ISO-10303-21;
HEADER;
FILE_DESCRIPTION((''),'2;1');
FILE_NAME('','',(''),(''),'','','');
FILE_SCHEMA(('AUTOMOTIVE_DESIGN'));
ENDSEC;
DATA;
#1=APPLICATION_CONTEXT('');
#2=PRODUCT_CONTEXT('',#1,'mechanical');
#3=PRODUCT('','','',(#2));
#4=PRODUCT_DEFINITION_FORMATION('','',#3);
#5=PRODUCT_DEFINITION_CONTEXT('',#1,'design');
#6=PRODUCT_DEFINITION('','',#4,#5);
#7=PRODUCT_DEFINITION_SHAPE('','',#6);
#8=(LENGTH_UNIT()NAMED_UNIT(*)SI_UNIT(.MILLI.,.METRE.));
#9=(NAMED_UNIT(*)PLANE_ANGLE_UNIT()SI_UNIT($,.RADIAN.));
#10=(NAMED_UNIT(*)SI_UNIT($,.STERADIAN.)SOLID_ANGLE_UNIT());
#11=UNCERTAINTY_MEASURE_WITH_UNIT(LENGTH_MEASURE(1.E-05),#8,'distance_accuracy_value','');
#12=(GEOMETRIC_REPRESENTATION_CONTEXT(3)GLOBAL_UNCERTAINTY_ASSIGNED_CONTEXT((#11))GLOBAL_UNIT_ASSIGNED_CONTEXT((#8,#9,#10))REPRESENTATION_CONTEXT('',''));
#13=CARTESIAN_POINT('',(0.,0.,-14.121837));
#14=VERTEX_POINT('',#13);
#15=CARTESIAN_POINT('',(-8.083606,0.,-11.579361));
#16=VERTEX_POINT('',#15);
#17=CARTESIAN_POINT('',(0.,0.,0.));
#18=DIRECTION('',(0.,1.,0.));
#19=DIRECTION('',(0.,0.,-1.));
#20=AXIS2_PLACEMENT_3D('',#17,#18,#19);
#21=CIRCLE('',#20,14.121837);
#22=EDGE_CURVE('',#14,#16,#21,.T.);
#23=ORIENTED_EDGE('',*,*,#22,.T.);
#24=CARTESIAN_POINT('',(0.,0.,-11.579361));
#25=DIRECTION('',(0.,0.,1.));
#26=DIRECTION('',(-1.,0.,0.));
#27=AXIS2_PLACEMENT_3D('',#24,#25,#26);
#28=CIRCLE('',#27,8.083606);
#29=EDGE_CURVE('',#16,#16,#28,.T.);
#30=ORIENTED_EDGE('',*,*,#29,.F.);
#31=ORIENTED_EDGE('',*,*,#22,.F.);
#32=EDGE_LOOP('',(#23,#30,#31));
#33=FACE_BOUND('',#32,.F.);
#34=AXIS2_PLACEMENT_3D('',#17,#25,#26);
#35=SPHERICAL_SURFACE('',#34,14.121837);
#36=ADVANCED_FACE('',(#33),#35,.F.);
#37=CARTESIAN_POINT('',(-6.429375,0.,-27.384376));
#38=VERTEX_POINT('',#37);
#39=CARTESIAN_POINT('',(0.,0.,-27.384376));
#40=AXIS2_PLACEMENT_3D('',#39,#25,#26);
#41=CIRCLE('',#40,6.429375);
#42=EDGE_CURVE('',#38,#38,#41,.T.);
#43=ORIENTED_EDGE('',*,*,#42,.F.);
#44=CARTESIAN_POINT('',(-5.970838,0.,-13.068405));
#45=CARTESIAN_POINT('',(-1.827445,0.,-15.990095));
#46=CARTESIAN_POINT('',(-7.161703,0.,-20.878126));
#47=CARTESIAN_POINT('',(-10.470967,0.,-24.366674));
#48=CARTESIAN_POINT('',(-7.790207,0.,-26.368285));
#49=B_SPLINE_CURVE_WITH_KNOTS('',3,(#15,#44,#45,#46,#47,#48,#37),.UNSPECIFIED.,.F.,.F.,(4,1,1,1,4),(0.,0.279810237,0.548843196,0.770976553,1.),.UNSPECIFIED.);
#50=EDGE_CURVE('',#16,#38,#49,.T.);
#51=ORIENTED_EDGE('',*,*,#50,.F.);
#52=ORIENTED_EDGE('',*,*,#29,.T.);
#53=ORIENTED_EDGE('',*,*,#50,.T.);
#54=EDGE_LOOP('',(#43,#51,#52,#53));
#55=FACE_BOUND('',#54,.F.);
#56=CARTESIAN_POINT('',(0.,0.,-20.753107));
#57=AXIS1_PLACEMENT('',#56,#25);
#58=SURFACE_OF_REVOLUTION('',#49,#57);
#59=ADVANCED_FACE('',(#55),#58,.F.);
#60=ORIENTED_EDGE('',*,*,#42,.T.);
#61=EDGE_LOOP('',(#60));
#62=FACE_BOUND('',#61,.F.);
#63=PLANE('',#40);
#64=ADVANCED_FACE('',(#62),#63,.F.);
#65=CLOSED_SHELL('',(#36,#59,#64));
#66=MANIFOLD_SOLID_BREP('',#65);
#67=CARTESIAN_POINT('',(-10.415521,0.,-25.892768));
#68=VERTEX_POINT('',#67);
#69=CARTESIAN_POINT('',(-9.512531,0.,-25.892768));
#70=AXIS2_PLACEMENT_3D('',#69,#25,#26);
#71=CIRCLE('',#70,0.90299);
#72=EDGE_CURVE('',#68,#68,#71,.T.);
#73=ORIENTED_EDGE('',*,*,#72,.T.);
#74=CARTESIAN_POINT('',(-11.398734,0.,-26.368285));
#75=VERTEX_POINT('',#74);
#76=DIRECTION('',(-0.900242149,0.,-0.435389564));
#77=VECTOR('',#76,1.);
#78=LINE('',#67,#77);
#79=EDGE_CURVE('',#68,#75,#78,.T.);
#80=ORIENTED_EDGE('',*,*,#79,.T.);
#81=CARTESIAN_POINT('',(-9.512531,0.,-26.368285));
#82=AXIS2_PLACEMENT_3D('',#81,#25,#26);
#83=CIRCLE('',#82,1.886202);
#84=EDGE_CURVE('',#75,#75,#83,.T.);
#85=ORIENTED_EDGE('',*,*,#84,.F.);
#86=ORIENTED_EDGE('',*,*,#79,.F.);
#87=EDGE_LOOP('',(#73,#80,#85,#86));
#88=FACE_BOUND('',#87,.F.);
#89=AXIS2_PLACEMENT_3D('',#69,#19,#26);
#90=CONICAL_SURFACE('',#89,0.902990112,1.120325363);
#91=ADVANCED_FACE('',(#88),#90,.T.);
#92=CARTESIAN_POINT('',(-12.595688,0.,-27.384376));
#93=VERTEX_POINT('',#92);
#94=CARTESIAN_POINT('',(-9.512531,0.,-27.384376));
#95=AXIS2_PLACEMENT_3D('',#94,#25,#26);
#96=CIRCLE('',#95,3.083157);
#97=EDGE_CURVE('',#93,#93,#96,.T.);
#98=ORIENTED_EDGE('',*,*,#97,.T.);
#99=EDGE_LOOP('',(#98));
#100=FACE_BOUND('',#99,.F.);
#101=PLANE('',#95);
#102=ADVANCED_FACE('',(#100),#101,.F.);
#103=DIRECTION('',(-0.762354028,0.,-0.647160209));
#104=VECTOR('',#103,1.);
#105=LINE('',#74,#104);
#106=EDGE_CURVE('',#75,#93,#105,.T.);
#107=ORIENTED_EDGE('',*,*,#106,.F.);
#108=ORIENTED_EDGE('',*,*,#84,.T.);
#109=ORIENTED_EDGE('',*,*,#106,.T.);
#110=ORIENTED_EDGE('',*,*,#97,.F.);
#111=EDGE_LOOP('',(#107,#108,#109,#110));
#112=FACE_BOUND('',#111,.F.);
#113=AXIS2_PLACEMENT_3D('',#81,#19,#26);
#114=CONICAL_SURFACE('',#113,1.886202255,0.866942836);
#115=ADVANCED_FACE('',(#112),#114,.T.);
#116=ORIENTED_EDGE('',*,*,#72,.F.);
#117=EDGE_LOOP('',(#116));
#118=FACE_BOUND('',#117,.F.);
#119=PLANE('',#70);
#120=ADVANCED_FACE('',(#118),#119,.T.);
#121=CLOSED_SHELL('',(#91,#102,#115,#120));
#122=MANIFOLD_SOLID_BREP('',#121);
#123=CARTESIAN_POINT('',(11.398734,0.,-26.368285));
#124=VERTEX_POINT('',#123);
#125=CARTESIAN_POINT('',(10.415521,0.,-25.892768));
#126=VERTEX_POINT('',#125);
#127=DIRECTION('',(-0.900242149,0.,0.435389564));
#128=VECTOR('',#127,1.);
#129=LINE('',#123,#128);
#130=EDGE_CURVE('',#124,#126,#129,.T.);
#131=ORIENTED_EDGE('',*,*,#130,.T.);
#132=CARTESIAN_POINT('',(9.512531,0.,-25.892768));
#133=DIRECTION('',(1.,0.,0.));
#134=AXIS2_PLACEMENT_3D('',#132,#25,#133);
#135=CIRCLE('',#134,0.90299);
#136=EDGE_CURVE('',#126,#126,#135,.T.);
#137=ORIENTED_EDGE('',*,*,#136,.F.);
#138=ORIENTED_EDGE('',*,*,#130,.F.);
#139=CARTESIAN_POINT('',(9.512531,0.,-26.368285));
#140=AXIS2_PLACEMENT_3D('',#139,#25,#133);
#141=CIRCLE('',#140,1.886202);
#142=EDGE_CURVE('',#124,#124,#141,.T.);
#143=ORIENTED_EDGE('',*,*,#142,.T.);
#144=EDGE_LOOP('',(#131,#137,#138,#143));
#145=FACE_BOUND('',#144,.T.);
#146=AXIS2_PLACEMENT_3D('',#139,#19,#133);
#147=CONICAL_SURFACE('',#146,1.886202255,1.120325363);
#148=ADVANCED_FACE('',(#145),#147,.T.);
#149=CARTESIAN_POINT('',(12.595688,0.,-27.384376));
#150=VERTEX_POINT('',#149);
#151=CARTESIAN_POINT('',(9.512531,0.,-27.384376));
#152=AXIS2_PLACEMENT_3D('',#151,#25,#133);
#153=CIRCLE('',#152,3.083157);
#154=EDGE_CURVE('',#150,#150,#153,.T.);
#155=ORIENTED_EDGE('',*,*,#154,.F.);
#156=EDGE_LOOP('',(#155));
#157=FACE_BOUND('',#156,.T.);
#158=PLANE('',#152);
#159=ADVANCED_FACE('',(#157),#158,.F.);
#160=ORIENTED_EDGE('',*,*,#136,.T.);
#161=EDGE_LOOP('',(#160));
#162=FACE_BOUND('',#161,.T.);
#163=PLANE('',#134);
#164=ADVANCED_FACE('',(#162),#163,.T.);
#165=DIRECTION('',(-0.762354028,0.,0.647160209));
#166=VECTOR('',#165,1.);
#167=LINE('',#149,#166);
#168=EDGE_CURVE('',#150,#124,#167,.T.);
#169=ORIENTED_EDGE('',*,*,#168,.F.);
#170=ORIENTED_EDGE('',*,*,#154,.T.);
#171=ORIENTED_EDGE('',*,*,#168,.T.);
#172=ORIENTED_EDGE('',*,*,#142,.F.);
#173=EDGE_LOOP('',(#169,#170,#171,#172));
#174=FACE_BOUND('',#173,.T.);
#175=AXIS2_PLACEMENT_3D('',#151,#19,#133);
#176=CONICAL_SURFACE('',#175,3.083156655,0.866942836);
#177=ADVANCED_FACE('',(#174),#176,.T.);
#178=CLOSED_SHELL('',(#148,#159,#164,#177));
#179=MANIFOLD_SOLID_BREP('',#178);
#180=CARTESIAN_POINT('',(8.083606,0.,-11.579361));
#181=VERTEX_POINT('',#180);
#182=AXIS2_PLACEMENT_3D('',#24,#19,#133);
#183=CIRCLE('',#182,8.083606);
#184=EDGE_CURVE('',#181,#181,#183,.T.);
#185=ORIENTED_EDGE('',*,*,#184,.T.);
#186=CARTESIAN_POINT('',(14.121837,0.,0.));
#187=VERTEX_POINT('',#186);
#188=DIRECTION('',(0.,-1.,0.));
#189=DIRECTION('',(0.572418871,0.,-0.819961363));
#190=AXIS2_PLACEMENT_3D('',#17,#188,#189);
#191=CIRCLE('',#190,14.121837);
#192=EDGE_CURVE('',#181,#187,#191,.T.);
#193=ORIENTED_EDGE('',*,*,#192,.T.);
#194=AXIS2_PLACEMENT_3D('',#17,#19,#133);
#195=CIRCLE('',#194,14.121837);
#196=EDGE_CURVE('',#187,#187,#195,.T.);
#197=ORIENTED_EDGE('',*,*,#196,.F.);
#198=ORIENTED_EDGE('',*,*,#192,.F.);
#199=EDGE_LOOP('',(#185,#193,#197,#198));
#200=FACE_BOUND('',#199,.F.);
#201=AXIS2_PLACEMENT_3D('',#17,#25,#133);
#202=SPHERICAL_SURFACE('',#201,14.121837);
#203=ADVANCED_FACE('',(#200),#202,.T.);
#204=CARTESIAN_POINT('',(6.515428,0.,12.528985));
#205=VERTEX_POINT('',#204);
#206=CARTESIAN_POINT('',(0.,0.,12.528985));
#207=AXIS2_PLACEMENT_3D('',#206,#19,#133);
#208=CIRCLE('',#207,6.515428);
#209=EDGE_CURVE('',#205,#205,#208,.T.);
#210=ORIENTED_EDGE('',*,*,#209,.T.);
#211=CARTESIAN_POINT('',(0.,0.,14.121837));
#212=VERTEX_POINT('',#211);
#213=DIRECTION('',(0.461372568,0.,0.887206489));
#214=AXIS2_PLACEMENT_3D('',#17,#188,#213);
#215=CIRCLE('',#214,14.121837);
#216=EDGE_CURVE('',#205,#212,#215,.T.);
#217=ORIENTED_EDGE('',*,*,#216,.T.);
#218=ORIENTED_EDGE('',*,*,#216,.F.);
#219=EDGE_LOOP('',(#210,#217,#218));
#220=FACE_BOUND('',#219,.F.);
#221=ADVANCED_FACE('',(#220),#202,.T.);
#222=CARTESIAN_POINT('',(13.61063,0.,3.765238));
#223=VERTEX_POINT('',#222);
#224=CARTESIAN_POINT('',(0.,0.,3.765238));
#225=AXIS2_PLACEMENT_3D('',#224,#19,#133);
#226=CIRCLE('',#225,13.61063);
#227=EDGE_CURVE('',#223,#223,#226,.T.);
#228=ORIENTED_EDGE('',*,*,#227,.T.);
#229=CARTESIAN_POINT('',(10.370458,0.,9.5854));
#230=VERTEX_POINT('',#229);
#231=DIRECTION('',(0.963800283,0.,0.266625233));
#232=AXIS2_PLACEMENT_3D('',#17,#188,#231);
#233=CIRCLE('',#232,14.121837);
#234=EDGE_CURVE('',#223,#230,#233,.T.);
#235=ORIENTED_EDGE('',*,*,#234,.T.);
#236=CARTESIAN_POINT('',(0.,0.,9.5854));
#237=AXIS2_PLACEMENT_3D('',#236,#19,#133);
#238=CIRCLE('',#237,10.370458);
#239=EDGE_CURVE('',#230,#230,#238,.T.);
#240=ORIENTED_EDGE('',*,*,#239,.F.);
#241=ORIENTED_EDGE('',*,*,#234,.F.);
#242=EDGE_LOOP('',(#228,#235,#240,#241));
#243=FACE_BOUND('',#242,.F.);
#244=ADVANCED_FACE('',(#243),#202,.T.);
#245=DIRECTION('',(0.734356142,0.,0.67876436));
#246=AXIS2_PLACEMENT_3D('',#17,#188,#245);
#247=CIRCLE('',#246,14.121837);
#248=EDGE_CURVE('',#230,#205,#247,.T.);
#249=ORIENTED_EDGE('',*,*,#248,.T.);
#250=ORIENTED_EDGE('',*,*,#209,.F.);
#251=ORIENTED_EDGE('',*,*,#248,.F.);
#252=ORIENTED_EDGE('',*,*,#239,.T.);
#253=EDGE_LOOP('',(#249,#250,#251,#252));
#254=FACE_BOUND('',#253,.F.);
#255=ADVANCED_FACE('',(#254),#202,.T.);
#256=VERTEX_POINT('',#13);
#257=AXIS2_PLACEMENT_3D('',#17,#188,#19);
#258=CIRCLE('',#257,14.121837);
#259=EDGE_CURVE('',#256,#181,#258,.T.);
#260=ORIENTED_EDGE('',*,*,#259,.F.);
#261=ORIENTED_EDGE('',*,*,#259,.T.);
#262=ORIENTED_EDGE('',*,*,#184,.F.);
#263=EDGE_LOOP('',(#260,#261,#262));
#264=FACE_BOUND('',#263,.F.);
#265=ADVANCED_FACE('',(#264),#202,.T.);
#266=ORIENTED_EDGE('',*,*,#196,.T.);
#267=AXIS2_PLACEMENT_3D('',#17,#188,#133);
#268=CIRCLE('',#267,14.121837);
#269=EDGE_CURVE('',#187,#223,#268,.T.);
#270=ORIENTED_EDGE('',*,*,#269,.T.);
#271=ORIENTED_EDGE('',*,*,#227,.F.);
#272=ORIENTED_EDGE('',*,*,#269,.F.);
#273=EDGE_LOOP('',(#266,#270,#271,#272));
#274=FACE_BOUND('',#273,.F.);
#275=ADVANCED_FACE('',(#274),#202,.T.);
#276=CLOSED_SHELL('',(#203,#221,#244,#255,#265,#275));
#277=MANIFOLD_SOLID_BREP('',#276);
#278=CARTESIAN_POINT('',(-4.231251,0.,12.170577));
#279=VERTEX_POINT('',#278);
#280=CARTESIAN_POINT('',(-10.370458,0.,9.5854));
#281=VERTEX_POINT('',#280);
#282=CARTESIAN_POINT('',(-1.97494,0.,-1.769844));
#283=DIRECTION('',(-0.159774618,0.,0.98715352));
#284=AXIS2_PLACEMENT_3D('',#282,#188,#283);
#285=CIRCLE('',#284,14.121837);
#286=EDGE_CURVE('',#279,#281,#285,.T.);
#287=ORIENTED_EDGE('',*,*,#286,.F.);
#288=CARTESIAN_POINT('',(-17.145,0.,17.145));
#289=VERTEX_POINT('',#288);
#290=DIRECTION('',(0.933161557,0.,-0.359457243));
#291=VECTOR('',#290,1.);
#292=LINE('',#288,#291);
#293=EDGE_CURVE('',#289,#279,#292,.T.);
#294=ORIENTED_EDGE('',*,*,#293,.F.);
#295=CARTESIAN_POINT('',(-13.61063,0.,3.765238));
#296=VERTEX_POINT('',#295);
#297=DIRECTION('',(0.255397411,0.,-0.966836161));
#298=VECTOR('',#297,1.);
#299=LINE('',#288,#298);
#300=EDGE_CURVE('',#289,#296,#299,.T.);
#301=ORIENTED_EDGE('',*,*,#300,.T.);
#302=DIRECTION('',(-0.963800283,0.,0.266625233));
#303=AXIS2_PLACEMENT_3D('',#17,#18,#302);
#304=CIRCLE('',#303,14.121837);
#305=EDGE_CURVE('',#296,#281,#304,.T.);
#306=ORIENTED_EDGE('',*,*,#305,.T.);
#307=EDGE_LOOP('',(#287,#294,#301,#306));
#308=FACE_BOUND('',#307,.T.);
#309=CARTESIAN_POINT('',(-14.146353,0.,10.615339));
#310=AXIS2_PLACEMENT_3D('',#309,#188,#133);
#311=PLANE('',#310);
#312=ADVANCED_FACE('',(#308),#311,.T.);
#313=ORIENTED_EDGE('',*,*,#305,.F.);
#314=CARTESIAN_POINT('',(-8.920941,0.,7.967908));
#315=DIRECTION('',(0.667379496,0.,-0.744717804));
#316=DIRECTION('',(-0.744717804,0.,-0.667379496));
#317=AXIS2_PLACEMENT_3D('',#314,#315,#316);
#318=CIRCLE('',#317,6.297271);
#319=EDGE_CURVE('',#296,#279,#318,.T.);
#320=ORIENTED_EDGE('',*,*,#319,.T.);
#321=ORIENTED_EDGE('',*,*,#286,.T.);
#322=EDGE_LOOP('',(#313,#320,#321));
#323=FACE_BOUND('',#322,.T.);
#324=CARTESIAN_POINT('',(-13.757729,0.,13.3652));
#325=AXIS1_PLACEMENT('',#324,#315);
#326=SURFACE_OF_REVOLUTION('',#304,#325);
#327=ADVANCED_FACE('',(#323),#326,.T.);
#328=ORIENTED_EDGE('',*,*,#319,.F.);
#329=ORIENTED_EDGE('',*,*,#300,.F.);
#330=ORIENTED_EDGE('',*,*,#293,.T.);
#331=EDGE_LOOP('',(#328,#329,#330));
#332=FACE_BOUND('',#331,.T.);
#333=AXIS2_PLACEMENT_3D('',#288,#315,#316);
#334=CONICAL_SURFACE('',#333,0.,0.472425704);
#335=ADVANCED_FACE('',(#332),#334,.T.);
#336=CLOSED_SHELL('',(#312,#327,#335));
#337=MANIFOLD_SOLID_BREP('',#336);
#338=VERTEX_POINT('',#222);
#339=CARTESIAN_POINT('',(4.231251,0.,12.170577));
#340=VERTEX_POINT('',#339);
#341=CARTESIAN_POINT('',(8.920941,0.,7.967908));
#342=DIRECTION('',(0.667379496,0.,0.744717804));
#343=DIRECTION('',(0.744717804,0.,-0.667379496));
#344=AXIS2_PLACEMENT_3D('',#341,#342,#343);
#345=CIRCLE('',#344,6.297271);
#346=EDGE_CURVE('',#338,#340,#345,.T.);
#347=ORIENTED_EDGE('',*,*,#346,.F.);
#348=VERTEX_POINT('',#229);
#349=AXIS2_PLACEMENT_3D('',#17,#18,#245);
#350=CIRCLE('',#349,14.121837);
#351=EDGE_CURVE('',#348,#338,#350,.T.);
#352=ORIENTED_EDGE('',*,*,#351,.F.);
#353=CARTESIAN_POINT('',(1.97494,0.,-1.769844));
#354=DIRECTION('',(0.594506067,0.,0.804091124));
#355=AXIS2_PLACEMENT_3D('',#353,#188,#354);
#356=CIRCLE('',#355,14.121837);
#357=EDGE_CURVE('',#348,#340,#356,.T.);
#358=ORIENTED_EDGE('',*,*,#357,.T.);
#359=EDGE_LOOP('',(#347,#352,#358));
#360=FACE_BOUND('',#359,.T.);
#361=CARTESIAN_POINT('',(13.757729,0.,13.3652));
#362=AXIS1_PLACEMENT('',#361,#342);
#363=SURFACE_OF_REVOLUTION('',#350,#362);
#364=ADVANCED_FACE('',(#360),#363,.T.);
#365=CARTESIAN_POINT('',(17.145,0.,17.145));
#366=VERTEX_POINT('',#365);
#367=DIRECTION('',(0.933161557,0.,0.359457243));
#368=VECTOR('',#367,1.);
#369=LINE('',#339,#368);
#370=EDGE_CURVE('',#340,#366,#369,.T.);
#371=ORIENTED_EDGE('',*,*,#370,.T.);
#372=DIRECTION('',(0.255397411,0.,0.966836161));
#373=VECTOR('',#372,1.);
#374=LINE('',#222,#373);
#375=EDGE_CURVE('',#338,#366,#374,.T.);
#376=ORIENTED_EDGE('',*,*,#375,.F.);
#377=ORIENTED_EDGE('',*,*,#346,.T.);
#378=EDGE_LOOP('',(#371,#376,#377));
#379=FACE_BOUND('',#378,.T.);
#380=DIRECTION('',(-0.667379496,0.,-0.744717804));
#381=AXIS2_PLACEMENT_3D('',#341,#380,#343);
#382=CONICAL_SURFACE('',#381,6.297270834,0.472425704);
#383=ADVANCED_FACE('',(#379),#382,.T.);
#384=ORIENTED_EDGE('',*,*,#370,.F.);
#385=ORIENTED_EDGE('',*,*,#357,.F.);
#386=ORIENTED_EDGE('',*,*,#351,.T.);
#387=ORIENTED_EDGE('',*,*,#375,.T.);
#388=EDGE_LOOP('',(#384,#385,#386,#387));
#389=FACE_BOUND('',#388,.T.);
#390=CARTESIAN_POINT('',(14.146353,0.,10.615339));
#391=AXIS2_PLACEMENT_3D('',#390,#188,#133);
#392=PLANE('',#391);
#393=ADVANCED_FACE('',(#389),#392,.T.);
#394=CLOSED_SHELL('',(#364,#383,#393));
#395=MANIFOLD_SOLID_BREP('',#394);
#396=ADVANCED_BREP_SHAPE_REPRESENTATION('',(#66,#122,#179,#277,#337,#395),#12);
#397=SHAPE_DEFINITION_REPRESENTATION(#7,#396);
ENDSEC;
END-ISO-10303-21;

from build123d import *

# Parameters (mm, degrees)
F5_ANGLE = 180
F6_ANGLE = 180


with BuildPart() as f1:
    # F0 (on Front) → F1 (revolve)
    with BuildSketch(Plane.XZ):
        Polygon((-12.5956879929, -27.3843761533), (-9.5125313383, -27.3843761533), (-9.5125313383, -25.8927680552), (-10.4155214503, -25.8927680552), (-11.3987335935, -26.3682848997), align=None)
    revolve(axis=Axis((-9.5125313383, 0, -26.6385721043), (0, 0, 1)))


with BuildPart() as f2:
    # F0 (on Front) → F2 (revolve)
    with BuildSketch(Plane.XZ):
        Polygon((9.5125313383, -25.8927680552), (9.5125313383, -27.3843761533), (12.5956879929, -27.3843761533), (11.3987335935, -26.3682848997), (10.4155214503, -25.8927680552), align=None)
    revolve(axis=Axis((9.5125313383, 0, -26.6385721043), (0, 0, 1)))


with BuildPart() as f3:
    # F0 (on Front) → F3 (revolve)
    with BuildSketch(Plane.XZ):
        with BuildLine():
            Line((0, -27.3843761533), (0, -14.1218369735))
            ThreePointArc((0, -14.1218369735), (-4.2370057591, -13.4712308904), (-8.0836059746, -11.5793606885))
            add(Edge.make_bspline(
                [(-8.0836059746, -11.5793606885), (-5.9708379387, -13.0684049177), (-1.8274448123, -15.9900946539), (-7.1617027451, -20.87812623), (-10.4709666326, -24.3666738575), (-7.7902073219, -26.3682848997), (-6.4293746836, -27.3843761533)],
                knots=[0, 0, 0, 0, 0.2798102366, 0.5488431958, 0.7709765526, 1, 1, 1, 1], degree=3))
            Line((-6.4293746836, -27.3843761533), (0, -27.3843761533))
        make_face()
    revolve(axis=Axis((0, 0, -20.7531065634), (0, 0, 1)))


with BuildPart() as f4:
    # F0 (on Front) → F4 (revolve)
    with BuildSketch(Plane.XZ):
        with BuildLine():
            ThreePointArc((8.0836059746, -11.5793606885), (12.5216142178, -6.5295832094), (14.1218369735, 0))
            ThreePointArc((14.1218369735, 0), (13.9934517562, 1.8998914318), (13.6106304698, 3.7652380697))
            ThreePointArc((13.6106304698, 3.7652380697), (12.3386270645, 6.869101955), (10.3704577179, 9.5853996384))
            ThreePointArc((10.3704577179, 9.5853996384), (8.5702660374, 11.2239395737), (6.5154281839, 12.5289853973))
            ThreePointArc((6.5154281839, 12.5289853973), (3.3536539984, 13.717845471), (0, 14.1218369735))
            Line((0, 14.1218369735), (0, -14.1218369735))
            ThreePointArc((0, -14.1218369735), (4.2370057591, -13.4712308904), (8.0836059746, -11.5793606885))
        make_face()
    revolve(axis=Axis((0, 0, 0), (0, 0, -1)))


with BuildPart() as f5:
    # F0 (on Front) → F5 (revolve)
    with BuildSketch(Plane.XZ):
        with BuildLine():
            Line((-17.1450003982, 17.1450003982), (-13.6106304698, 3.7652380697))
            ThreePointArc((-13.6106304698, 3.7652380697), (-12.3386270645, 6.869101955), (-10.3704577179, 9.5853996384))
            Line((-10.3704577179, 9.5853996384), (-17.1450003982, 17.1450003982))
        make_face()
    revolve(axis=Axis((-13.757729058, 0, 13.3652000183), (0.6673794965, 0, -0.7447178041)), revolution_arc=F5_ANGLE)


with BuildPart() as f6:
    # F0 (on Front) → F6 (revolve)
    with BuildSketch(Plane.XZ):
        with BuildLine():
            ThreePointArc((10.3704577179, 9.5853996384), (12.3386270645, 6.869101955), (13.6106304698, 3.7652380697))
            Line((13.6106304698, 3.7652380697), (17.1450003982, 17.1450003982))
            Line((17.1450003982, 17.1450003982), (10.3704577179, 9.5853996384))
        make_face()
    revolve(axis=Axis((13.757729058, 0, 13.3652000183), (0.6673794965, 0, 0.7447178041)), revolution_arc=F6_ANGLE)


solid = Compound([f1.part, f2.part, f3.part, f4.part, f5.part, f6.part])
